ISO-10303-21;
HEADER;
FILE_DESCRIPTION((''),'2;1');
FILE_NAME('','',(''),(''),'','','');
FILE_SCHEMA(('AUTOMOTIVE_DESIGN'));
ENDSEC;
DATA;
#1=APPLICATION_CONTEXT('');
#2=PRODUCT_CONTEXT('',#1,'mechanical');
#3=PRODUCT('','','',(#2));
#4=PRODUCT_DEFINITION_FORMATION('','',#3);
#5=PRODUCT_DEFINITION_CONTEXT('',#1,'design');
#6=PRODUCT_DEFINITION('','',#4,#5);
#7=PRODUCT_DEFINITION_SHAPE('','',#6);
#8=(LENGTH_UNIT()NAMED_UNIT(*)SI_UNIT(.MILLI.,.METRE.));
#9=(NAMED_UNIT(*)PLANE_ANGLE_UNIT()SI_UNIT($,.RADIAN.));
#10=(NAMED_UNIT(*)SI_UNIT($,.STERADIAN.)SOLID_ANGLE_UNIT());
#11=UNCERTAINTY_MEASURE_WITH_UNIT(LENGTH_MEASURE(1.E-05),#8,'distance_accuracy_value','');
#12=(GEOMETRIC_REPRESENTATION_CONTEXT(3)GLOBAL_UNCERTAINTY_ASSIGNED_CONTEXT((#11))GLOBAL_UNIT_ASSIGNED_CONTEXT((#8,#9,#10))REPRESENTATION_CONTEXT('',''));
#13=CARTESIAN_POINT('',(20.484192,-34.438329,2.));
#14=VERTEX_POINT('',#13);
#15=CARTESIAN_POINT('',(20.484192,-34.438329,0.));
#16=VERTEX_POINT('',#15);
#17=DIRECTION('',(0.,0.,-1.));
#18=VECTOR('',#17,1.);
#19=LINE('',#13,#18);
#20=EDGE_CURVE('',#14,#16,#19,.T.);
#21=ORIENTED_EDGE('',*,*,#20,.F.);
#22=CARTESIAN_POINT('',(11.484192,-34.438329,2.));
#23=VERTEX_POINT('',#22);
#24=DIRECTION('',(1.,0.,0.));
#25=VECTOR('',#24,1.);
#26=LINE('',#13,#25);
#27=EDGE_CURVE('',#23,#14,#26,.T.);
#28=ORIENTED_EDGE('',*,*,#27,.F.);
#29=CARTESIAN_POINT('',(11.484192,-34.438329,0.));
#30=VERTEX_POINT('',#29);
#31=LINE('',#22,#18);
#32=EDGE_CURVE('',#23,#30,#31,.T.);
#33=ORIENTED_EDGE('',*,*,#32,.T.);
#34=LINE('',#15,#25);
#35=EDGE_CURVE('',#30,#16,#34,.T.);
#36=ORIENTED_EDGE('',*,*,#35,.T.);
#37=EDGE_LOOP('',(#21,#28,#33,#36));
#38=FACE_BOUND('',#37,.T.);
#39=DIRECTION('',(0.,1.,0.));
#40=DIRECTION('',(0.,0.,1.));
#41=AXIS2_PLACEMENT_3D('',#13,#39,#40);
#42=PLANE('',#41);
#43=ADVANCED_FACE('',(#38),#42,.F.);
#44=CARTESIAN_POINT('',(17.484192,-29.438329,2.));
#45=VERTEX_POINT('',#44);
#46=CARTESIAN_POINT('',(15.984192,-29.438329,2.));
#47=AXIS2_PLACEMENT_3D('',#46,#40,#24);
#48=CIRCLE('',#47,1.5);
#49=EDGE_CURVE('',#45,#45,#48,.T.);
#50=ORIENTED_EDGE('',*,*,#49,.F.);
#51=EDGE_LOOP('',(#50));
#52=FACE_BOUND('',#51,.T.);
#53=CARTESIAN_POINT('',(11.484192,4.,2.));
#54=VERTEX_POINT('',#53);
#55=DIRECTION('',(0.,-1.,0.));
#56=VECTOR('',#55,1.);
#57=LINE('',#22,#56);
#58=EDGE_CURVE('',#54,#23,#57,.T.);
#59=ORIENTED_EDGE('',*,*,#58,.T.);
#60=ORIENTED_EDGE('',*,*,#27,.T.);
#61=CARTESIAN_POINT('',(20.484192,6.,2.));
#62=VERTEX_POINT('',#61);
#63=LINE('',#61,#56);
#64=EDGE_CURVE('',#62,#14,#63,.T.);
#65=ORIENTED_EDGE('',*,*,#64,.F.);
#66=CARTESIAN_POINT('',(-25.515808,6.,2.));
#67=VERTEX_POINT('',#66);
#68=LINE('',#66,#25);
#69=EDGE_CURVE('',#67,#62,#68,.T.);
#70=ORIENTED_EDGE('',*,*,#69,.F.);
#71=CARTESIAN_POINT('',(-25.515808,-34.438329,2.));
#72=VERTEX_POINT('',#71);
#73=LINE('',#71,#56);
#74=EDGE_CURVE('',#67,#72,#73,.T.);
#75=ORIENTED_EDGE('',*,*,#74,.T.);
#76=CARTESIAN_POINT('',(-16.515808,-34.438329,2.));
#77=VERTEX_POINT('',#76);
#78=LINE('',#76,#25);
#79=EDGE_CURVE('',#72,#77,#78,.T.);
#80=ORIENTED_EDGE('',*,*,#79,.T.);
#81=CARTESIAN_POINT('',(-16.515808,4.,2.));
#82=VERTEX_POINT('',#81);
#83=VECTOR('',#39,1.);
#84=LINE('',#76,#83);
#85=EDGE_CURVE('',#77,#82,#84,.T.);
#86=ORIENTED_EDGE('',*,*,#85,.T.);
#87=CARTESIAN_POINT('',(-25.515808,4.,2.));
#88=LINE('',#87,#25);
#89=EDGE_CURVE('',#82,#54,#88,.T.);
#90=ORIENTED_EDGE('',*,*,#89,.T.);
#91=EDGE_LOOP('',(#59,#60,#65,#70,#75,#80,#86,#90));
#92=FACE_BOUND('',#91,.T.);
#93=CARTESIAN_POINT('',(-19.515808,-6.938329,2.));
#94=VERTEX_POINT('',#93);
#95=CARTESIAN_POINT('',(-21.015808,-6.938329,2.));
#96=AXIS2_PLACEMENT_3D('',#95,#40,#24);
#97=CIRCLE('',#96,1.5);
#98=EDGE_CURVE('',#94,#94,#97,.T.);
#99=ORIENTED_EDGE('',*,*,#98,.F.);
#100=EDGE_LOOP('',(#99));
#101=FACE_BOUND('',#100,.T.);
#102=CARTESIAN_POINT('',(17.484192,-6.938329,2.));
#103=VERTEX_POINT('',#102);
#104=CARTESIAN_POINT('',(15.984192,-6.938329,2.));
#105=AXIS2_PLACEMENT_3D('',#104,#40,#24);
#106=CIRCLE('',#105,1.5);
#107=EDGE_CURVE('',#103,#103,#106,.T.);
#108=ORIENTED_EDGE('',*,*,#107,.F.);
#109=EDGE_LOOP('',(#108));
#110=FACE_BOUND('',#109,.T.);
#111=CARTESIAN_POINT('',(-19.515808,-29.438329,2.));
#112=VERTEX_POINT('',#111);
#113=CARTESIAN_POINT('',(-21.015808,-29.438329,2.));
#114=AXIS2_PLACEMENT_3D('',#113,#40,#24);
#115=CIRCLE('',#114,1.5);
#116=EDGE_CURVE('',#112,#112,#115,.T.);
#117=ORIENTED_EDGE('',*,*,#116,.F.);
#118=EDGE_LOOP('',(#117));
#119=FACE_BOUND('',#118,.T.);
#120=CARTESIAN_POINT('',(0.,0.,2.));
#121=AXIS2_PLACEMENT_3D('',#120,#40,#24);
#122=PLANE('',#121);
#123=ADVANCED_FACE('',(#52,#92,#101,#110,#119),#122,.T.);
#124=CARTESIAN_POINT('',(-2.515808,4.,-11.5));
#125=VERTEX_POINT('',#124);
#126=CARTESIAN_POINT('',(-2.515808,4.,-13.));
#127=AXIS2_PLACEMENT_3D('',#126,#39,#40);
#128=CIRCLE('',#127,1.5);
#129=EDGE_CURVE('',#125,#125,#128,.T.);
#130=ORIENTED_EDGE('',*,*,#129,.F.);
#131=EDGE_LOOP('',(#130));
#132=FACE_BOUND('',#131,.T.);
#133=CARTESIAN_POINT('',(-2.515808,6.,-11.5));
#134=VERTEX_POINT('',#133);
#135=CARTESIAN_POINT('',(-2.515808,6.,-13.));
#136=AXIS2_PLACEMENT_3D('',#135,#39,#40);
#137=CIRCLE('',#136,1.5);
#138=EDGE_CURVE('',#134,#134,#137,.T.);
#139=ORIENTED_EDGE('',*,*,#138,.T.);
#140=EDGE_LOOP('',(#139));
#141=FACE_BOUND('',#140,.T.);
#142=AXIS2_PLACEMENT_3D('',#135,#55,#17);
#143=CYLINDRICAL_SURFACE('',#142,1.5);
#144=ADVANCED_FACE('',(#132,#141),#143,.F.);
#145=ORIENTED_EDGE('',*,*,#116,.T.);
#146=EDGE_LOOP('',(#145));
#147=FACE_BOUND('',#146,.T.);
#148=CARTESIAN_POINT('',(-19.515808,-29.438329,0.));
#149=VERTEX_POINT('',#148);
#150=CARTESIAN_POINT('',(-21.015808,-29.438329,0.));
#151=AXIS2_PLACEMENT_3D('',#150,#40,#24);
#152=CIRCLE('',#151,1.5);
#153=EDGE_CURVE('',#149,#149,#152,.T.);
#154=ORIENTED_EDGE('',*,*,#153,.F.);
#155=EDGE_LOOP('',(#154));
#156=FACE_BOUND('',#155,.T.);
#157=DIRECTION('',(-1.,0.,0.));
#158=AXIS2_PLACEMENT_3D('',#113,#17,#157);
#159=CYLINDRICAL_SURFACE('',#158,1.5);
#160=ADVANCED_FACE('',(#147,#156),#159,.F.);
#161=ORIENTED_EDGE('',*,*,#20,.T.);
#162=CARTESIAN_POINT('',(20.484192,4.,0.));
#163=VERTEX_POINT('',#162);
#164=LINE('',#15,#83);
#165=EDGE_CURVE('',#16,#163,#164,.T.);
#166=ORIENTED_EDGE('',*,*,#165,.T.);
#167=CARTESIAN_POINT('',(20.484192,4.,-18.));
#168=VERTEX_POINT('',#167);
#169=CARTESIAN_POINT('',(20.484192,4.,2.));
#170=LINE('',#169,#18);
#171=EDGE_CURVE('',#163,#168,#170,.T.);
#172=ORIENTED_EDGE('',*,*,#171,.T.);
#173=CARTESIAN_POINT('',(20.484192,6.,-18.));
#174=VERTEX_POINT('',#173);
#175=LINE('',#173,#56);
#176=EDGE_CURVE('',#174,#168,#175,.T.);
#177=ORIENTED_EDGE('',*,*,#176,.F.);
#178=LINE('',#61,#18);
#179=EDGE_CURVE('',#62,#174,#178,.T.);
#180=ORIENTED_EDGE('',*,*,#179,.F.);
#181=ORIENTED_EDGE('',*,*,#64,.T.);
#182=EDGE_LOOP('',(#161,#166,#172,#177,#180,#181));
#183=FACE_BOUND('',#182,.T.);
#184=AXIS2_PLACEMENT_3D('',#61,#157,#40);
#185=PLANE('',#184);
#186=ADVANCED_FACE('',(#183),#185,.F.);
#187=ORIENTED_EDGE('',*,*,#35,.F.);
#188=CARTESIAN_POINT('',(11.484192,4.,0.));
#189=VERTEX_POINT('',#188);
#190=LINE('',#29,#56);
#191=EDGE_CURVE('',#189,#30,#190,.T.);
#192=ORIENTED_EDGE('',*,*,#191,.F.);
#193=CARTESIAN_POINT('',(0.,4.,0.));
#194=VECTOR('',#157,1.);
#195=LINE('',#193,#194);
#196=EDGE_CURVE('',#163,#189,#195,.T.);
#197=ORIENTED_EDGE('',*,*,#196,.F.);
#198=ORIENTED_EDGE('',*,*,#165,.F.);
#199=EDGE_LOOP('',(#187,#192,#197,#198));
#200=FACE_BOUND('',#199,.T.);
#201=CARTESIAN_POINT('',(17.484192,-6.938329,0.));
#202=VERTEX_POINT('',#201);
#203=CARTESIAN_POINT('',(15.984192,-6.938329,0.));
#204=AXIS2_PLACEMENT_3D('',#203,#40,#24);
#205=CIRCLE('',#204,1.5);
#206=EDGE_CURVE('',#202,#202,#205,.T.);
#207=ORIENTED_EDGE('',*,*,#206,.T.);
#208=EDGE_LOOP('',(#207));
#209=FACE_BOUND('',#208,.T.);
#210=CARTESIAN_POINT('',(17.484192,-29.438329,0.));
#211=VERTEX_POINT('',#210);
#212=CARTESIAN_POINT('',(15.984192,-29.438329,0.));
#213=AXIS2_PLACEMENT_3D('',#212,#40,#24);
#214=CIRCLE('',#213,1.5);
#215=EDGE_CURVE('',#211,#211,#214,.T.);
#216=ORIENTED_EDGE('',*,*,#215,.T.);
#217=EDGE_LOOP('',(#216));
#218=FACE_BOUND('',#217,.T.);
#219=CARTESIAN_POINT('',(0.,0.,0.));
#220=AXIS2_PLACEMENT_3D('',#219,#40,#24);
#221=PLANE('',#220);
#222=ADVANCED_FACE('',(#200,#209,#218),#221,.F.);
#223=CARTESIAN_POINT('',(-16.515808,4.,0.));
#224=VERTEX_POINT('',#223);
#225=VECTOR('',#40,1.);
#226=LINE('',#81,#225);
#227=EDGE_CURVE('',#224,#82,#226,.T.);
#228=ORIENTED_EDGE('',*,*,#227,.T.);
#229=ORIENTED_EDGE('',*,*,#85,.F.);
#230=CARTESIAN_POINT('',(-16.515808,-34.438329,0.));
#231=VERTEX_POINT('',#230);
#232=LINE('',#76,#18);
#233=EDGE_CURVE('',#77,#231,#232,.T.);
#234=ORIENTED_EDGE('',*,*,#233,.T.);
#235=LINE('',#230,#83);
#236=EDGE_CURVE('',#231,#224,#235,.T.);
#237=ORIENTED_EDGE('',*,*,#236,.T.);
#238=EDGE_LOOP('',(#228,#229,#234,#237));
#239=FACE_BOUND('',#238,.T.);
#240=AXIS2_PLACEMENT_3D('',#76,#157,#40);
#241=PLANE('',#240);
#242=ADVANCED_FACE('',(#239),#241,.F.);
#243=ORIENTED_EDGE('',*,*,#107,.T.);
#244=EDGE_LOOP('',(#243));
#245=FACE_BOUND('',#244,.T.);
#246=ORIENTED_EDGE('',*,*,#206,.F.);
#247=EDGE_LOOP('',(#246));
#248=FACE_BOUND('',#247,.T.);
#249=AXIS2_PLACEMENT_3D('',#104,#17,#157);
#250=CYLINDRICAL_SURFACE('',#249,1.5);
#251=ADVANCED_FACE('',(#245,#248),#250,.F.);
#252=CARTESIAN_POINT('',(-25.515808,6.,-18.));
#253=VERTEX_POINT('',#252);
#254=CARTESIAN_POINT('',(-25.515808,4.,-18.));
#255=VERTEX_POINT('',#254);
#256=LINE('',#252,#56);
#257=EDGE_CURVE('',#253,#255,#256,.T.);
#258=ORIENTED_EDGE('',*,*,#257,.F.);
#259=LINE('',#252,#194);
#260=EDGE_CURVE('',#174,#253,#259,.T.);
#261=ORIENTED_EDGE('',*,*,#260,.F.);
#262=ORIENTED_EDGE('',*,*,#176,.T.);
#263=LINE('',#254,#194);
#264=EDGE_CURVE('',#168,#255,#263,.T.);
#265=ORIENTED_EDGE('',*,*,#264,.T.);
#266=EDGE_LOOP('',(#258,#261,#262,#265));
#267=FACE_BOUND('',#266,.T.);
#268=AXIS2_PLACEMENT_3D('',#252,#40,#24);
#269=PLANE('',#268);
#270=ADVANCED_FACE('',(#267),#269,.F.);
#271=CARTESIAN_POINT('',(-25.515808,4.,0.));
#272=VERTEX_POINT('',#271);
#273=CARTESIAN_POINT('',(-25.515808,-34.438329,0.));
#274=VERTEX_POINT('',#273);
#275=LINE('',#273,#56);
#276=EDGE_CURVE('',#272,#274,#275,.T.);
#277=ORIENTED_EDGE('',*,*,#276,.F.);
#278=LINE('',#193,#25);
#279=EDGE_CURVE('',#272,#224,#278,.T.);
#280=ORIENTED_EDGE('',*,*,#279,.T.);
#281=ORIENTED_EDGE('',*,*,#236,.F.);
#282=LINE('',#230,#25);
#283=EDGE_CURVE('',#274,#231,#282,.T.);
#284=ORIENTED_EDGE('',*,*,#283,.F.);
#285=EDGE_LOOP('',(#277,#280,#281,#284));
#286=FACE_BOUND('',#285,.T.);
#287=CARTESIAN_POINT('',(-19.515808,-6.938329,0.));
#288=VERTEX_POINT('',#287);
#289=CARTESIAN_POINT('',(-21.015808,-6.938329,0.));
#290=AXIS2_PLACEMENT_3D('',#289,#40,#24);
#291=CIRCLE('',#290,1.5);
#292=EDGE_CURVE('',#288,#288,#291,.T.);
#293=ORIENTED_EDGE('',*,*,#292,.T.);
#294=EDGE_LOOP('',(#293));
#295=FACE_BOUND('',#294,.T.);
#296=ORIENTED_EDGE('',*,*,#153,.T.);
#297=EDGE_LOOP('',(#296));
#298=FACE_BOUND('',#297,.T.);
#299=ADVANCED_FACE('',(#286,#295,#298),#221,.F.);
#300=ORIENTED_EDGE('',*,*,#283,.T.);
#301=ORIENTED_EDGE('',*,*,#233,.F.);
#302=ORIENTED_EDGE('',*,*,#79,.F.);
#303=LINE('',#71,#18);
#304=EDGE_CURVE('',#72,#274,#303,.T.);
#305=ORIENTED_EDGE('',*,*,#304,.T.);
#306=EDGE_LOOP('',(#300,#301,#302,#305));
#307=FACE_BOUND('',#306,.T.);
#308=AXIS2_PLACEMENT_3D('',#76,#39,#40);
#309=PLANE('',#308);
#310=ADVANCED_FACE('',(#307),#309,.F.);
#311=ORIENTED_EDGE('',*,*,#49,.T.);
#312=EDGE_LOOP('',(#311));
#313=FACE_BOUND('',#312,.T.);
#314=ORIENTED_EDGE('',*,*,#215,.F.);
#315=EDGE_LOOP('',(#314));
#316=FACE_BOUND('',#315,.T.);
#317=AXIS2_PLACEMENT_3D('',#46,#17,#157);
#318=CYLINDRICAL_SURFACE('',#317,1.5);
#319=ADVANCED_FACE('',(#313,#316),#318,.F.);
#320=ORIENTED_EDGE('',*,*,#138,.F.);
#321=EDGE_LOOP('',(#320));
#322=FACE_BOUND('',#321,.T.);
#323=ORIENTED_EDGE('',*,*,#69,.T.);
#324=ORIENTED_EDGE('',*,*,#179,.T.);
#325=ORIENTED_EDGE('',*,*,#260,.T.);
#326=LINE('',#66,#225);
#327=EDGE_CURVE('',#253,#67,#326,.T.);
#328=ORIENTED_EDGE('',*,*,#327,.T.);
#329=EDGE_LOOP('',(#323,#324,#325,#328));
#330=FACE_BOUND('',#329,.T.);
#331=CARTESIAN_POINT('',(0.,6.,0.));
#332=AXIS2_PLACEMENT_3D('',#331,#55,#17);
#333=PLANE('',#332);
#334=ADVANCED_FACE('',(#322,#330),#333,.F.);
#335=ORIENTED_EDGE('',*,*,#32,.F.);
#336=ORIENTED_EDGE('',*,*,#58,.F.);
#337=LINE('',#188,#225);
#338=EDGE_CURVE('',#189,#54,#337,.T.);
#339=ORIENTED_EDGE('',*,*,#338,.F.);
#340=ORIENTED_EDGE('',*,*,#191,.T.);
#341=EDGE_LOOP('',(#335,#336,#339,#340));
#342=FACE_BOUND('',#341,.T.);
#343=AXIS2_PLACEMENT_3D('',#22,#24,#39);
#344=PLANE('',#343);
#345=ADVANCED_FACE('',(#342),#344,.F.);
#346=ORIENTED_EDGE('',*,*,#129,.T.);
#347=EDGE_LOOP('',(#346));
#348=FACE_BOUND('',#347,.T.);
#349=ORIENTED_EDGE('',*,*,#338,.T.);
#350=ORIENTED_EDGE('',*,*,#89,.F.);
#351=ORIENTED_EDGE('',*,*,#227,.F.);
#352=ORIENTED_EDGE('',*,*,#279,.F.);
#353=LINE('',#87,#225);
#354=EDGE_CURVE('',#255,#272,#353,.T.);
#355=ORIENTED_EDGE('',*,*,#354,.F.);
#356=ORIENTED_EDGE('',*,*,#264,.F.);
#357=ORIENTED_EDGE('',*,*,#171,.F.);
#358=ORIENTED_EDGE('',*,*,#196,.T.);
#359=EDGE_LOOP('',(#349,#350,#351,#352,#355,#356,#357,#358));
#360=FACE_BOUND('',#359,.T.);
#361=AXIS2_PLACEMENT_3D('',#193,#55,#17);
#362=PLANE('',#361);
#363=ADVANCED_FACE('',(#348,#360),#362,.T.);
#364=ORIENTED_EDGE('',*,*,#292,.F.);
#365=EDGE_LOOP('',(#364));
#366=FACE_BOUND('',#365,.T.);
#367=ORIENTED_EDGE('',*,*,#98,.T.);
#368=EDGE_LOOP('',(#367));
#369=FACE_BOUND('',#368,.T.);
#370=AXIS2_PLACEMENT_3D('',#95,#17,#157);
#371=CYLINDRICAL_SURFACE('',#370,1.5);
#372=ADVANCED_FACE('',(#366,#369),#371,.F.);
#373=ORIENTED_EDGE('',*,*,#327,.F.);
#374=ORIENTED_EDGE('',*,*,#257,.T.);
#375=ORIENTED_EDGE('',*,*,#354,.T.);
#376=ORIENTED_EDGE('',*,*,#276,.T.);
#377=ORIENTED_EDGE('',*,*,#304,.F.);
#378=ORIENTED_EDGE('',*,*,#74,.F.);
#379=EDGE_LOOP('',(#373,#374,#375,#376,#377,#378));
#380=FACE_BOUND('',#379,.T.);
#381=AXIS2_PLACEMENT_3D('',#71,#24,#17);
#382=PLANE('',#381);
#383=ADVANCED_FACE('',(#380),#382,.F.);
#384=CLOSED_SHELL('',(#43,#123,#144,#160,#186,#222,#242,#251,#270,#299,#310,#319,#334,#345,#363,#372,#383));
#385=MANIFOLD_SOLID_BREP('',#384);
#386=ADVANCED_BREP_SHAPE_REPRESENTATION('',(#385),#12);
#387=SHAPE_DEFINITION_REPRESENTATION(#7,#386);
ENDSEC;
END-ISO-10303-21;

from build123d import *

# Parameters (mm, degrees)
SKETCH3_W             = 9
SKETCH3_H             = 40
SKETCH3_R             = 1.5
BOSS_EXTRUDE5_DEPTH   = 2
BOSS_EXTRUDE5_2_DEPTH = 2
SKETCH5_W             = 46
SKETCH5_H             = 20
SKETCH5_R             = 1.5
BOSS_EXTRUDE7_DEPTH   = 2


with BuildPart() as part:
    # Sketch3 → Boss-Extrude5 (new body)
    with BuildSketch(Plane.XY):
        with Locations((-21.015808288, -14.438328765)):
            Rectangle(SKETCH3_W, SKETCH3_H)
        with Locations((-21.015808288, -29.438328765)):
            Circle(SKETCH3_R, mode=Mode.SUBTRACT)
        with Locations((-21.015808288, -6.938328765)):
            Circle(SKETCH3_R, mode=Mode.SUBTRACT)
    extrude(amount=BOSS_EXTRUDE5_DEPTH)



with BuildPart() as body_2:
    # Sketch3 → Boss-Extrude5 2 (new body)
    with BuildSketch(Plane.XY):
        with Locations((15.984191712, -14.438328765)):
            Rectangle(SKETCH3_W, SKETCH3_H)
        with Locations((15.984191712, -29.438328765)):
            Circle(SKETCH3_R, mode=Mode.SUBTRACT)
        with Locations((15.984191712, -6.938328765)):
            Circle(SKETCH3_R, mode=Mode.SUBTRACT)
    extrude(amount=BOSS_EXTRUDE5_2_DEPTH)


with BuildPart() as part_1:
    add(part.part)

    add(body_2.part)  # Boss-Extrude7 merges body 2
    # Sketch5 → Boss-Extrude7 (add)
    with BuildSketch(Plane(origin=(0, 4, 0), x_dir=(1, 0, 0), z_dir=(0, 1, 0))):
        with Locations((-2.515808288, 8)):
            Rectangle(SKETCH5_W, SKETCH5_H)
        with Locations(Location((-2.515808288, 13, 0), (0, 0, 270))):
            Circle(SKETCH5_R, mode=Mode.SUBTRACT)
    extrude(amount=BOSS_EXTRUDE7_DEPTH)


solid = part_1.part
